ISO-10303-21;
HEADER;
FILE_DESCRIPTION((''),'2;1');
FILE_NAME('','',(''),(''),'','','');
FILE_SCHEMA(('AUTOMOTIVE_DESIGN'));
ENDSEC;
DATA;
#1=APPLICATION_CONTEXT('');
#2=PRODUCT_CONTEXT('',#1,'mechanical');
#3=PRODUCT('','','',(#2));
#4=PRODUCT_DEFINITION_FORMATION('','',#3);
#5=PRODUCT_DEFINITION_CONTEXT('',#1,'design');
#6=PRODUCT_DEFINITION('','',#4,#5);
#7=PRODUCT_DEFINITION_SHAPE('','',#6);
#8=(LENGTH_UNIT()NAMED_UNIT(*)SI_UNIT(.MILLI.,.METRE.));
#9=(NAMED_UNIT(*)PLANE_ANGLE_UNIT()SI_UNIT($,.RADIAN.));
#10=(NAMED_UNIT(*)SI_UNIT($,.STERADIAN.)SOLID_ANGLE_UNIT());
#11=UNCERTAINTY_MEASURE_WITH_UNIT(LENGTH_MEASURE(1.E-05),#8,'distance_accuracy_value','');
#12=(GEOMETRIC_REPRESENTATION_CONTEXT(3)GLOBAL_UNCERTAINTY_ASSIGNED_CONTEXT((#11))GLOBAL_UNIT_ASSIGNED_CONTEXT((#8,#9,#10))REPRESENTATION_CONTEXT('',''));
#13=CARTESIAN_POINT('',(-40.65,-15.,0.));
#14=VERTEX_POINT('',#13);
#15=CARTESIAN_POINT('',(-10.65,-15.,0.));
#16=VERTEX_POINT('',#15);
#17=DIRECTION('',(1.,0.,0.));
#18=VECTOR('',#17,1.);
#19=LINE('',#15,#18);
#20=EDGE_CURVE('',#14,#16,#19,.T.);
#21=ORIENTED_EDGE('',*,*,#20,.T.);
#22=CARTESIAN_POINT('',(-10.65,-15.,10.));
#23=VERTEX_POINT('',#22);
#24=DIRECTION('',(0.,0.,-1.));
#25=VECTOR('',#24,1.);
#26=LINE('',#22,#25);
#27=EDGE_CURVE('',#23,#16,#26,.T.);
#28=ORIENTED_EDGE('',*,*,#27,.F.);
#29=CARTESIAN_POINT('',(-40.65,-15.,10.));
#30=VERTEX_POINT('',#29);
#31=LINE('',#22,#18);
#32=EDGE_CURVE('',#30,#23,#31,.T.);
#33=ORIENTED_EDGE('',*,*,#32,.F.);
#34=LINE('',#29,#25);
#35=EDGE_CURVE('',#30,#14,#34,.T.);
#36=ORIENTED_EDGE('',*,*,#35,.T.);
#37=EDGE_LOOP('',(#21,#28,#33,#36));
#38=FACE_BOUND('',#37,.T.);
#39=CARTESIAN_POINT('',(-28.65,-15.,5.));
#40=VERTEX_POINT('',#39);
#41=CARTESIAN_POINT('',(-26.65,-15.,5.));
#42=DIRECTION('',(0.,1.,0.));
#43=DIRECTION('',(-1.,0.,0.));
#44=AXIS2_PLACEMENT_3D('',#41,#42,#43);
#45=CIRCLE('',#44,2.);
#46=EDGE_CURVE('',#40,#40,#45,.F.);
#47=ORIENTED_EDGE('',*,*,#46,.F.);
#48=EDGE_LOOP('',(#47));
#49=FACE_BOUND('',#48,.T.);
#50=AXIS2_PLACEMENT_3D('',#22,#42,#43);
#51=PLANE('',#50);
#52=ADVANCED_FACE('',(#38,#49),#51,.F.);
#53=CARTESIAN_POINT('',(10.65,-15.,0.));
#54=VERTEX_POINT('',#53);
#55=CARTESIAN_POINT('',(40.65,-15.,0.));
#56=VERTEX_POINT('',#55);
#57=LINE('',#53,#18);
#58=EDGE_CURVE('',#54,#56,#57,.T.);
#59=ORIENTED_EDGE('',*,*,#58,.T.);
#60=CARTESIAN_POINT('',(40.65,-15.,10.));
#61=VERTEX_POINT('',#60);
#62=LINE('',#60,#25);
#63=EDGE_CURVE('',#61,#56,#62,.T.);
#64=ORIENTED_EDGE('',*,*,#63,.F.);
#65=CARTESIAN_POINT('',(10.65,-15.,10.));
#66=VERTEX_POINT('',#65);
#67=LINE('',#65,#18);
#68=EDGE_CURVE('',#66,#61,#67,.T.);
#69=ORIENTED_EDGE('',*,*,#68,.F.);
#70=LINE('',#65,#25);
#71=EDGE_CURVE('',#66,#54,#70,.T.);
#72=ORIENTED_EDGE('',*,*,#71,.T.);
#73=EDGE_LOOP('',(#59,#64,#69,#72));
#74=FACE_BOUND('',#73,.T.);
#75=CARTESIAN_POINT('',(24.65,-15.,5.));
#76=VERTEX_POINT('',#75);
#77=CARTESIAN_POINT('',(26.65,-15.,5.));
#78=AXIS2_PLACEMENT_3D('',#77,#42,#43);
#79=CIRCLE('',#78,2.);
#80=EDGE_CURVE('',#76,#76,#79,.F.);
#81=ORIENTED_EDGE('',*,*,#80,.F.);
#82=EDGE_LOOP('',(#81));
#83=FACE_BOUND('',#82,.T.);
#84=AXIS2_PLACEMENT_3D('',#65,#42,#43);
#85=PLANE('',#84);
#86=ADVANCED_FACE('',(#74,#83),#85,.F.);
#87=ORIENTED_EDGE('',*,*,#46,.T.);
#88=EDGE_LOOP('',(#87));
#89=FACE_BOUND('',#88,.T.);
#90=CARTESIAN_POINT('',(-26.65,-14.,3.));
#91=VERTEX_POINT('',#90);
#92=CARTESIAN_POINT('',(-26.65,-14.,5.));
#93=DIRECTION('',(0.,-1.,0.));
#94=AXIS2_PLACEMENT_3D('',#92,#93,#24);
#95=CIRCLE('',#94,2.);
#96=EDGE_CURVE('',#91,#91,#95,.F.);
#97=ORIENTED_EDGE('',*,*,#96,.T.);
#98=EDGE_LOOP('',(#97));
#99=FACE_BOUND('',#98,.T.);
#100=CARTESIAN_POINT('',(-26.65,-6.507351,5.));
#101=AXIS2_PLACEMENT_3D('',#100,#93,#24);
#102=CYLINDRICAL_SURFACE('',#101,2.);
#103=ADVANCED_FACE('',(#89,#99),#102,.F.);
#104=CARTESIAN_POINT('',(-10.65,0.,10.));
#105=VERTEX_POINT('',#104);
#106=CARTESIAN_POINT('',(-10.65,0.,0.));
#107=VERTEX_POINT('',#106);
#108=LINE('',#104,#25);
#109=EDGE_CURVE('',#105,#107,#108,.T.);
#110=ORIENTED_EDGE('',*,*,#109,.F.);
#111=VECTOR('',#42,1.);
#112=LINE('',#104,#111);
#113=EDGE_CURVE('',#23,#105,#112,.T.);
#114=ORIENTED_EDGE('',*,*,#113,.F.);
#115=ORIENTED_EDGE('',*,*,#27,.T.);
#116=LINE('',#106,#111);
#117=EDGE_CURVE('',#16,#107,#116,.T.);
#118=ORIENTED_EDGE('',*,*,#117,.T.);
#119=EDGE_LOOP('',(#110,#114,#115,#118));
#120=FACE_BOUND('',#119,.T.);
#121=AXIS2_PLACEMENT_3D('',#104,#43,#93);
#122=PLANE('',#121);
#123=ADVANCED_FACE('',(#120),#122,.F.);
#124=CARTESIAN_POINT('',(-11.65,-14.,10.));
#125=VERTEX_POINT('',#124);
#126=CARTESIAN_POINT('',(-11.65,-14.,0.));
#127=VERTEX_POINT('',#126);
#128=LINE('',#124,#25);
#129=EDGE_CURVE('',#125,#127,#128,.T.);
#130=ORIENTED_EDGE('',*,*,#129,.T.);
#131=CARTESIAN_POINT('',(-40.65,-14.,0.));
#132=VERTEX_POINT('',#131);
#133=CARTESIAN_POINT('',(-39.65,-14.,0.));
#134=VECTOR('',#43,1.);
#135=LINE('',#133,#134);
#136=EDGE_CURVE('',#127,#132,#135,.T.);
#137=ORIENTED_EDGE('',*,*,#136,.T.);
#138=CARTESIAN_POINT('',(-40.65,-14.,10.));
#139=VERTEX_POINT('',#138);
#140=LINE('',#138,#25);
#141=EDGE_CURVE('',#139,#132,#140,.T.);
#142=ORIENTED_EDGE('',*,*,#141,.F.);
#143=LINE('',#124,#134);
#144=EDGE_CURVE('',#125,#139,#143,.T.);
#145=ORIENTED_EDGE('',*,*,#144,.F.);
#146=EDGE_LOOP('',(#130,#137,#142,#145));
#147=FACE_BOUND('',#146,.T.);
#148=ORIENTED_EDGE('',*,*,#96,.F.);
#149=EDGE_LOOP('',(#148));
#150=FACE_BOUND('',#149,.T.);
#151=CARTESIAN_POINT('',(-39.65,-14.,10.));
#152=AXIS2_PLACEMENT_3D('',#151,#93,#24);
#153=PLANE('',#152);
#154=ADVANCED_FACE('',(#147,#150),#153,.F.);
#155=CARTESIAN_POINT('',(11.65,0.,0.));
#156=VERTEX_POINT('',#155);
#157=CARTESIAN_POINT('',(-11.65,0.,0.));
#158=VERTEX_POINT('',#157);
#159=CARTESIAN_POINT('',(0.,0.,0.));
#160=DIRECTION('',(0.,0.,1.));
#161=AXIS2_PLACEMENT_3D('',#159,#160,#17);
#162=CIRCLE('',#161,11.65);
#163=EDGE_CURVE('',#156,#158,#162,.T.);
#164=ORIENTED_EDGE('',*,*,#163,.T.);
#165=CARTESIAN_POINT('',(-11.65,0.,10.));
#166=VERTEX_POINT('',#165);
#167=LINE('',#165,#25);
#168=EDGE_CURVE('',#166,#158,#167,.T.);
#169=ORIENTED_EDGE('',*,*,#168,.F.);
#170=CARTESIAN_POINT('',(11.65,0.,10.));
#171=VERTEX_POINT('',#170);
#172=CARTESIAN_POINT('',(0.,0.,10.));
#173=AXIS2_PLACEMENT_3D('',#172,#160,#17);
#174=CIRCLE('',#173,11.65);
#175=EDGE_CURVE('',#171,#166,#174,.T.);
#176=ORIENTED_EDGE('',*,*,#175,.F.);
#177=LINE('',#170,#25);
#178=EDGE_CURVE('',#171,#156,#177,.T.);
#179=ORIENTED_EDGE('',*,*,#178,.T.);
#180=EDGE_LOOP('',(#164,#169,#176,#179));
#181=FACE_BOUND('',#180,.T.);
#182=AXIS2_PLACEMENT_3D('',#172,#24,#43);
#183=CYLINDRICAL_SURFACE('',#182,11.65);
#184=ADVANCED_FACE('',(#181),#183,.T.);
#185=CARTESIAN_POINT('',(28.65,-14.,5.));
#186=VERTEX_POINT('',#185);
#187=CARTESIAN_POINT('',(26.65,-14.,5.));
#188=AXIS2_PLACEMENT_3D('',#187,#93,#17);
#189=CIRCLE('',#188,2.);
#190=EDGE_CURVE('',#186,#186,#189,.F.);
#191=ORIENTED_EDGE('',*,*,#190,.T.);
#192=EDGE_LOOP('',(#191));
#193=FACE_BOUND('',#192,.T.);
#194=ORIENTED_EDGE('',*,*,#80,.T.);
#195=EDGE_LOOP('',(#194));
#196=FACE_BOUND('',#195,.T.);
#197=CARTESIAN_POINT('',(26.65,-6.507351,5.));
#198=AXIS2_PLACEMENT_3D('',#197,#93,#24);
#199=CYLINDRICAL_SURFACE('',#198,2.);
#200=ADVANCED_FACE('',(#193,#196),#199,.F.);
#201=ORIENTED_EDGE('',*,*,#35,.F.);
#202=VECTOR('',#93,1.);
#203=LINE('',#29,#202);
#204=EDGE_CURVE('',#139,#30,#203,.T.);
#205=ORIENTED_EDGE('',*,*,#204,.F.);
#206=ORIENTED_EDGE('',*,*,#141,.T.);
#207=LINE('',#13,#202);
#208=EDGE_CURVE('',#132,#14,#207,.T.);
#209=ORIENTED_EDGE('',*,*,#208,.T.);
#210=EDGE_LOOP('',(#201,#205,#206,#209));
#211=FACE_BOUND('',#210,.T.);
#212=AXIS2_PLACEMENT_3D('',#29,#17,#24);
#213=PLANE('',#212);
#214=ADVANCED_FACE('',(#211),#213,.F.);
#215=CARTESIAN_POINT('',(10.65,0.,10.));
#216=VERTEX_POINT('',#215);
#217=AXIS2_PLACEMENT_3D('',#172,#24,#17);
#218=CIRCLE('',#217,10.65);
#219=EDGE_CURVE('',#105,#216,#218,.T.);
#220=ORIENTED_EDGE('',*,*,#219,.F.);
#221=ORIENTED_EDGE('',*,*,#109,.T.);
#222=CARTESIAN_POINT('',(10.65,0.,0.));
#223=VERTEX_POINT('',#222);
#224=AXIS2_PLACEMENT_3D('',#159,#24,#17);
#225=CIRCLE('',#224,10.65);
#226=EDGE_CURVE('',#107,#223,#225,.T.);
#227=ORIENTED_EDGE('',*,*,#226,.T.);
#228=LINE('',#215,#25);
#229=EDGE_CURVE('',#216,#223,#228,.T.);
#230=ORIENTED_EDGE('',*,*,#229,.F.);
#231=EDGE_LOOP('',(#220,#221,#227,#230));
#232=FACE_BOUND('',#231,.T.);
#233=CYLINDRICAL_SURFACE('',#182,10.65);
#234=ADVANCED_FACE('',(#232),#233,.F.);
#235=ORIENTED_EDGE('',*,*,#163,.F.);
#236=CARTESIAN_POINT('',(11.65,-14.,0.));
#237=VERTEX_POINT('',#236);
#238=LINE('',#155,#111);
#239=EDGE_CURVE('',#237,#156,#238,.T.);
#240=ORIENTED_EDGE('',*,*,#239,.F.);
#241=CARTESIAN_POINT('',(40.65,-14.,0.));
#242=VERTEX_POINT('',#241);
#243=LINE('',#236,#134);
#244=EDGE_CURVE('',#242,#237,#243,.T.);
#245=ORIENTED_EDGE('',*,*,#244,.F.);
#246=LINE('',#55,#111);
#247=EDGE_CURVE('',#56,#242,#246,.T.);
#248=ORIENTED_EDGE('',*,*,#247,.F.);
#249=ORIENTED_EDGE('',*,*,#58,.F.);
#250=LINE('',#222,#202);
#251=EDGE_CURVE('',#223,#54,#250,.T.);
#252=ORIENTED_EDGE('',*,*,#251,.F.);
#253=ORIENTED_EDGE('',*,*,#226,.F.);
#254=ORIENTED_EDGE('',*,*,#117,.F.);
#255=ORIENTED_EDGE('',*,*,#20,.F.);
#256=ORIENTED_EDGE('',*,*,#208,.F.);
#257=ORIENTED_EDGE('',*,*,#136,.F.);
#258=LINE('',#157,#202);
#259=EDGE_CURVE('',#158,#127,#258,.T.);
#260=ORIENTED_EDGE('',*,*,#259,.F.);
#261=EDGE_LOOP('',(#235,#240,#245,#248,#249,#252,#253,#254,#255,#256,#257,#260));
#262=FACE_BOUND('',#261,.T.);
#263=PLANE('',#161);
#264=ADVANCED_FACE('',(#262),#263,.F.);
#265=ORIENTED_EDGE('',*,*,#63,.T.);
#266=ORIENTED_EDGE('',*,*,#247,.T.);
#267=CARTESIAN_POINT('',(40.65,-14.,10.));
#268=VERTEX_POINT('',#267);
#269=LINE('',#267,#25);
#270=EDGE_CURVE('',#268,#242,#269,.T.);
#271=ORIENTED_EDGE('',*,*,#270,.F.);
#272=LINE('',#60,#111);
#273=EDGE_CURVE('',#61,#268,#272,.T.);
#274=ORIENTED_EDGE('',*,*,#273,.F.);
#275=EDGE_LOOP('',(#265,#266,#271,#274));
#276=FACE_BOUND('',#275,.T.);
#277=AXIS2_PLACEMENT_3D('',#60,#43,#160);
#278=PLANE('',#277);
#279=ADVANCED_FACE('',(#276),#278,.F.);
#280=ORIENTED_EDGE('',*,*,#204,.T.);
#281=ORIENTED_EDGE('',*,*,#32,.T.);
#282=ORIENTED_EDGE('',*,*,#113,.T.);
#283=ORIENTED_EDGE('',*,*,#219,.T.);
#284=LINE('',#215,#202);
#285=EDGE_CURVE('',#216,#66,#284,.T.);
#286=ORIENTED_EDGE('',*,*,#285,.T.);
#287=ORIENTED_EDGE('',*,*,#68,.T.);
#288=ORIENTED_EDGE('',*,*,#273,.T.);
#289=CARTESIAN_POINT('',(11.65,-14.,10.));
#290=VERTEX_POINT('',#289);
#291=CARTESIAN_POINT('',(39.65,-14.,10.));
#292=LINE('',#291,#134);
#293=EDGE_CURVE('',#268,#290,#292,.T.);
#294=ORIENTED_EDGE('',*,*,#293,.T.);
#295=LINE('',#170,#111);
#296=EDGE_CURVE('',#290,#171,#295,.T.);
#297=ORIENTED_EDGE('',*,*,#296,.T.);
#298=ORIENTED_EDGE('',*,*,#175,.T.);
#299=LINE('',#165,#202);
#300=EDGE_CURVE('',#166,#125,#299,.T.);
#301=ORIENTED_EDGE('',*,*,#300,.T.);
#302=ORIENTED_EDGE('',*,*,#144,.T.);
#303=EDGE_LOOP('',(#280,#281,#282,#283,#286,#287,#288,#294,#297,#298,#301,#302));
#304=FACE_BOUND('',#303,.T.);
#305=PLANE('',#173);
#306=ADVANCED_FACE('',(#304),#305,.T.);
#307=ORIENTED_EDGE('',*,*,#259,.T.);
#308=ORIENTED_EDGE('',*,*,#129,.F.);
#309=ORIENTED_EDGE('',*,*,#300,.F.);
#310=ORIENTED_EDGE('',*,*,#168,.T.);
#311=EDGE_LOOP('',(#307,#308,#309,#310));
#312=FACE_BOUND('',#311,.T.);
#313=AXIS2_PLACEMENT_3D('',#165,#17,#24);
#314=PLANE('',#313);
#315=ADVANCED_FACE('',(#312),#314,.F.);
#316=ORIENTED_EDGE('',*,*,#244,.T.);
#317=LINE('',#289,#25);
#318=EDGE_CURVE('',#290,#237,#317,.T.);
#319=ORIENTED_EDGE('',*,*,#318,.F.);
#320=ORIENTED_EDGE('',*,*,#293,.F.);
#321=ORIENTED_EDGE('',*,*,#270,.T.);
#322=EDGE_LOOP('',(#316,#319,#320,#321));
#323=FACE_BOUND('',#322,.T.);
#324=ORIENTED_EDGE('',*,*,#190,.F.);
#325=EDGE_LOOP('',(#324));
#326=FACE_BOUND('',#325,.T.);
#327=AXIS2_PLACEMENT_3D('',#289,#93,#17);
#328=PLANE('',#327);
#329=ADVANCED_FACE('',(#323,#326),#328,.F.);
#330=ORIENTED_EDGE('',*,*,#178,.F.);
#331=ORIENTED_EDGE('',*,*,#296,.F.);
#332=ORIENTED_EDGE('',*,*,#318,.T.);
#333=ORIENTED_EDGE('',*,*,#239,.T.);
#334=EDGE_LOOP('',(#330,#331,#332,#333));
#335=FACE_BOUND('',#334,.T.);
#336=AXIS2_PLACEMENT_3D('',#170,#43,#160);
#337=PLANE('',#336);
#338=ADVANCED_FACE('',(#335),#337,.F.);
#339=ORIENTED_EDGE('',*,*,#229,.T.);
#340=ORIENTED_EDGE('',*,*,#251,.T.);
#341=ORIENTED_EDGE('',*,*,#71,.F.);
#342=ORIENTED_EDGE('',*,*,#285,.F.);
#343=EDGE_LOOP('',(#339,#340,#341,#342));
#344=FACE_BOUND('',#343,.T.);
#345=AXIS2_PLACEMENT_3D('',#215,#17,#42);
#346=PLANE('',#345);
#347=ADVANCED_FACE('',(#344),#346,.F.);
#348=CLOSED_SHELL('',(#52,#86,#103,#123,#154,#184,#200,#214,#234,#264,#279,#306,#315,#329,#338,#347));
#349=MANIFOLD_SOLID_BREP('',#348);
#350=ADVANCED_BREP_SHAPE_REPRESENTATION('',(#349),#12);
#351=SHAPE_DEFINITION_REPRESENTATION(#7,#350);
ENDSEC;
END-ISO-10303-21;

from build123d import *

# Parameters (mm, degrees)
SALIENTE_EXTRUIR1_DEPTH = 10
CROQUIS2_R              = 2
CORTAR_EXTRUIR1_DEPTH   = 10


with BuildPart() as part:
    # Croquis1 → Saliente-Extruir1 (new body)
    with BuildSketch(Plane.XY):
        with BuildLine():
            Line((10.65, 0), (10.65, -15))
            Line((10.65, -15), (40.65, -15))
            Line((40.65, -15), (40.65, -14))
            Line((40.65, -14), (39.65, -14))
            Line((39.65, -14), (11.65, -14))
            Line((11.65, -14), (11.65, 0))
            ThreePointArc((11.65, 0), (0, 11.65), (-11.65, 0))
            Line((-11.65, 0), (-11.65, -14))
            Line((-11.65, -14), (-39.65, -14))
            Line((-39.65, -14), (-40.65, -14))
            Line((-40.65, -14), (-40.65, -15))
            Line((-40.65, -15), (-10.65, -15))
            Line((-10.65, -15), (-10.65, 0))
            ThreePointArc((-10.65, 0), (0, 10.65), (10.65, 0))
        make_face()
    extrude(amount=SALIENTE_EXTRUIR1_DEPTH)

    # Croquis2 → Cortar-Extruir1 (cut)
    with BuildSketch(Plane(origin=(0, -16.507351352, 0), x_dir=(1, 0, 0), z_dir=(0, 1, 0))):
        with Locations(Location((-26.65, -5, 0), (0, 0, 90))):
            Circle(CROQUIS2_R)
        with Locations((26.65, -5)):
            Circle(CROQUIS2_R)
    extrude(amount=CORTAR_EXTRUIR1_DEPTH, mode=Mode.SUBTRACT)


solid = part.part
